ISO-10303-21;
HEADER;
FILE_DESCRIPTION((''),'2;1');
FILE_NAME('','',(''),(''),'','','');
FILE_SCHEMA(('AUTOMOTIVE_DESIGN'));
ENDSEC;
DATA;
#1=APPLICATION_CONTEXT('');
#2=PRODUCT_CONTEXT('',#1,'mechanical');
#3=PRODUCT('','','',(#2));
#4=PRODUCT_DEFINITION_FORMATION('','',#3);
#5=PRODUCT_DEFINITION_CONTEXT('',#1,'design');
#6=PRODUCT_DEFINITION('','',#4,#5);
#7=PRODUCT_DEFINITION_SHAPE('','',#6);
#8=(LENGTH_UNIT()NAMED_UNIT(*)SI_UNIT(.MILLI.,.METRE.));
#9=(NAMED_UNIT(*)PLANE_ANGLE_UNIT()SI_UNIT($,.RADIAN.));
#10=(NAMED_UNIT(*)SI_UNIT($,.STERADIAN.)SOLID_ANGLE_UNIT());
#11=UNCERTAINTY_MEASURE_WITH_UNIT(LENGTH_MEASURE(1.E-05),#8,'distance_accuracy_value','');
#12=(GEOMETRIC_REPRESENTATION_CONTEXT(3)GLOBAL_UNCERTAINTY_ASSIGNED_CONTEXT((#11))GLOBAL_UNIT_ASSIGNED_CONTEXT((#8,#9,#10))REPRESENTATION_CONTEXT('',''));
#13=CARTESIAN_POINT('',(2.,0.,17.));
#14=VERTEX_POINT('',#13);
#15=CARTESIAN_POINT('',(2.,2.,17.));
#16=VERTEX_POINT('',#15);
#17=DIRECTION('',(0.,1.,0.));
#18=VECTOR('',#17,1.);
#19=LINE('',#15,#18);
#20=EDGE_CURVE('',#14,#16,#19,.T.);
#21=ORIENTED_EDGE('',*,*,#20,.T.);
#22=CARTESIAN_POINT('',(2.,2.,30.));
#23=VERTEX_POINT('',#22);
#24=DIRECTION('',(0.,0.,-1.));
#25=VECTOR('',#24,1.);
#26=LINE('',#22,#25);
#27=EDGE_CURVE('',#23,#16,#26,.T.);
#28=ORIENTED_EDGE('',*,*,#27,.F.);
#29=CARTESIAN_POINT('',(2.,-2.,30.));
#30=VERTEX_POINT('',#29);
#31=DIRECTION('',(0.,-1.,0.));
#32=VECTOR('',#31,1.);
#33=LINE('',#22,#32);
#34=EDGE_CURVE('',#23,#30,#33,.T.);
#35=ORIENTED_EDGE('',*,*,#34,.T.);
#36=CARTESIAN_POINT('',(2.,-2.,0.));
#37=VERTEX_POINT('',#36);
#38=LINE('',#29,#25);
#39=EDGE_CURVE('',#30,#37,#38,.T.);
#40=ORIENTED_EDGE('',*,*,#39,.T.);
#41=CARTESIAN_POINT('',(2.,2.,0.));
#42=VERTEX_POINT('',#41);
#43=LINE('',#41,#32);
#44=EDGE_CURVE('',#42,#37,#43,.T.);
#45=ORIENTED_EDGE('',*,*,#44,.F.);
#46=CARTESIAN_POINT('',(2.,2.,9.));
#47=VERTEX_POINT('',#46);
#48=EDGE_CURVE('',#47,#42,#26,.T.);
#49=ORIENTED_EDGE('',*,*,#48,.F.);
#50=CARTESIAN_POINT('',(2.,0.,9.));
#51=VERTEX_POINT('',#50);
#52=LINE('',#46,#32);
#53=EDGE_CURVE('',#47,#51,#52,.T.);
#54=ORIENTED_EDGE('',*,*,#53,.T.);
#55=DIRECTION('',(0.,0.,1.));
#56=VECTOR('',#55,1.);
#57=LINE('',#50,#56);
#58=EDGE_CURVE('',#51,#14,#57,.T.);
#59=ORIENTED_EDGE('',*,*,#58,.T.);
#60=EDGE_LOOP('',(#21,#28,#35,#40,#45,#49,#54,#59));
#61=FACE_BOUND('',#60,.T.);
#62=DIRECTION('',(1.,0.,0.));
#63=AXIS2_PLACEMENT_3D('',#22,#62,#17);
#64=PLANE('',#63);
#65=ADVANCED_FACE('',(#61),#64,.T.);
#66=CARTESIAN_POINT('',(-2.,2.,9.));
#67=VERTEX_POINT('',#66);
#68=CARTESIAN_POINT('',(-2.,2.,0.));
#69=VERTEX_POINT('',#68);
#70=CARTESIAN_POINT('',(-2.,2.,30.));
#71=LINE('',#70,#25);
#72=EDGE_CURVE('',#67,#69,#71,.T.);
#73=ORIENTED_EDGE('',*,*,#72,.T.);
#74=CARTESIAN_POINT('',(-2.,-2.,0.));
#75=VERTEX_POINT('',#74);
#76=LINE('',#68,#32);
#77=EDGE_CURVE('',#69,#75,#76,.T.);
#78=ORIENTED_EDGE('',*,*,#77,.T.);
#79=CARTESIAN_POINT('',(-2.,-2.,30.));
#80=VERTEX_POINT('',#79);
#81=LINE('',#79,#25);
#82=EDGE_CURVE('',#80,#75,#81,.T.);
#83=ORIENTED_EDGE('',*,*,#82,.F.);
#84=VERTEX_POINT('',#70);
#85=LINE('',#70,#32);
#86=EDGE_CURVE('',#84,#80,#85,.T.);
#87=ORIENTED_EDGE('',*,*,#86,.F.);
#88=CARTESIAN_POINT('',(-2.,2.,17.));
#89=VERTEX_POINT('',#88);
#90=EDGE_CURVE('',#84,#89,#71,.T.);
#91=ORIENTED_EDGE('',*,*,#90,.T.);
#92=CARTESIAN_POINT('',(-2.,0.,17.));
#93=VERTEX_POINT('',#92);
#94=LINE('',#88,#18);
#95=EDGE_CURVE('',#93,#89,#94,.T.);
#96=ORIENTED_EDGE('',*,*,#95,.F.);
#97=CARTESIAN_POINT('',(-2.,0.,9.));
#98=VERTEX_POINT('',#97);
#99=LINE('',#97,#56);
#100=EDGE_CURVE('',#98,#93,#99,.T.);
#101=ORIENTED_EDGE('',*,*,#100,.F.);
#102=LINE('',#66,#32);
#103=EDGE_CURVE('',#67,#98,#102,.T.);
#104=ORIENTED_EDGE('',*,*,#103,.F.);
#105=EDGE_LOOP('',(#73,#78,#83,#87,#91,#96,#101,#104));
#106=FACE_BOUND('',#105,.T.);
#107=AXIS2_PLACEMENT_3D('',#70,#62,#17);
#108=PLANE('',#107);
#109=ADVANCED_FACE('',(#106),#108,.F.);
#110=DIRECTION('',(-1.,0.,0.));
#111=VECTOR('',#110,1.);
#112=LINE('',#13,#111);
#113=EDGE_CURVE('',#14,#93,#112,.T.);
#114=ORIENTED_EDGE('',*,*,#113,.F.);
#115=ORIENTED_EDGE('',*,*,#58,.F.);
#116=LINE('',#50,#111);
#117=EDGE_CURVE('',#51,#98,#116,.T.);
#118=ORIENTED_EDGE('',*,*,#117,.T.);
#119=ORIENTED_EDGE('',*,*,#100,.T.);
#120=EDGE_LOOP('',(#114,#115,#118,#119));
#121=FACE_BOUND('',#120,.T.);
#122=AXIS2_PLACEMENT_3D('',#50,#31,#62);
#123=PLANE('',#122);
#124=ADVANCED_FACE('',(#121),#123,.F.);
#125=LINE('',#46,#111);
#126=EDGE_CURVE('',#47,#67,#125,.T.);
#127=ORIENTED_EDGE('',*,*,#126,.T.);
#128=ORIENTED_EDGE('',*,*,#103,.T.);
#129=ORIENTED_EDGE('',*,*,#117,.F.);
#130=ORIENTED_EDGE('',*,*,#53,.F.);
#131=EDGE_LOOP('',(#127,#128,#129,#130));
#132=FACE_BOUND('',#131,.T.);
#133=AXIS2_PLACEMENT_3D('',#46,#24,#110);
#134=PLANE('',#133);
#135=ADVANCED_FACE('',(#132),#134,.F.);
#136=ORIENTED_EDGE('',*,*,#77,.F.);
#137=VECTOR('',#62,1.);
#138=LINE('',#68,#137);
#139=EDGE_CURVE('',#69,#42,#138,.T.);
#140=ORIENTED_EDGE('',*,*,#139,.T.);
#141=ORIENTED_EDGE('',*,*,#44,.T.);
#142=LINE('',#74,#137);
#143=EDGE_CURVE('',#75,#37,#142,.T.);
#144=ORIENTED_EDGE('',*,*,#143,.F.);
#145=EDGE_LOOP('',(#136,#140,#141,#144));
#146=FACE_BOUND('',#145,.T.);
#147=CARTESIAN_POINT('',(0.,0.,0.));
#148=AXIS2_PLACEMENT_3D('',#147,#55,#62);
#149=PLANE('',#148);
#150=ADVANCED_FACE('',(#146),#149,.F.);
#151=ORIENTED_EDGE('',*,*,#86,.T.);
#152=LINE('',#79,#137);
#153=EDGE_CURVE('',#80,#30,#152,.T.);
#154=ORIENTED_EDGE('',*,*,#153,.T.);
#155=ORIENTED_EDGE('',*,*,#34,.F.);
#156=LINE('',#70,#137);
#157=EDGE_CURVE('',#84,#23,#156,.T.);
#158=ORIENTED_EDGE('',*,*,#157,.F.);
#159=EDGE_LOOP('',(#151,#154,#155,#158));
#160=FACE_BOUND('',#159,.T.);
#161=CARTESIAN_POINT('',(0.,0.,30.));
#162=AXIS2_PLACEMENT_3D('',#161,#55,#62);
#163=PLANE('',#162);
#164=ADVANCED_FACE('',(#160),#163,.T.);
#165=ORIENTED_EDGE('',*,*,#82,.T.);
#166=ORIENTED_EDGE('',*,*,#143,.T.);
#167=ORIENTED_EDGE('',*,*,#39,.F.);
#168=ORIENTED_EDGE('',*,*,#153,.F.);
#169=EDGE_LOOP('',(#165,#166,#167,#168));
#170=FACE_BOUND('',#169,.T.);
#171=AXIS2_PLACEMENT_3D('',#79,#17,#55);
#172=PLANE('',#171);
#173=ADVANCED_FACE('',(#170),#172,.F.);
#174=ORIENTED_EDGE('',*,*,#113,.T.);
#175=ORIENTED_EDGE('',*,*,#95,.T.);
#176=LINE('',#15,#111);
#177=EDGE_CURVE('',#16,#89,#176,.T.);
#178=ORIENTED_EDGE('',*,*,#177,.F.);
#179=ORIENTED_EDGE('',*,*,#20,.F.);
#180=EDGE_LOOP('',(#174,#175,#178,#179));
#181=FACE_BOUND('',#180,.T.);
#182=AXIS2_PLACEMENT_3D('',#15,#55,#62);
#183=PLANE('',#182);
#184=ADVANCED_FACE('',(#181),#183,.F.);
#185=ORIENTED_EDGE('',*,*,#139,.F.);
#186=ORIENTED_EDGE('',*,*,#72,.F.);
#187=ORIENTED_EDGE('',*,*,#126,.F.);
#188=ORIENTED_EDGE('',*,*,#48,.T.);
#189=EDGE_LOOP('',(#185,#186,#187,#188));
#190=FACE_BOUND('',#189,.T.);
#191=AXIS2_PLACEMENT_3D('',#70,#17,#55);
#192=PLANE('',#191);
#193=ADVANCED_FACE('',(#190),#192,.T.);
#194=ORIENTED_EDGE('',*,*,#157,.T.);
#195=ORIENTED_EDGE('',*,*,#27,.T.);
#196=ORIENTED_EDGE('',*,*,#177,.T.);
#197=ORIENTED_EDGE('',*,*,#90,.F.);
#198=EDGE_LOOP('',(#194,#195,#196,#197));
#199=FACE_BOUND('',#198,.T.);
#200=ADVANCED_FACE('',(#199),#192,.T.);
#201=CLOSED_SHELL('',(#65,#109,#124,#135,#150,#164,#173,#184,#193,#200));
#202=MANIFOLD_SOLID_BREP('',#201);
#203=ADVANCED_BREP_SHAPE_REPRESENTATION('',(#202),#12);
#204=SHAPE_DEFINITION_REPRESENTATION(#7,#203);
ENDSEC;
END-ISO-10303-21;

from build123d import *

# Parameters (mm, degrees)
SKETCH_1_W          = 4
SKETCH_1_H          = 4
EXTRUDE_1_DEPTH     = 30
SKETCH_4_W          = 8
SKETCH_4_H          = 2
CUT_EXTRUDE_1_DEPTH = 4


with BuildPart() as part:
    # 草圖1 → 填料-伸長1 (new body)
    with BuildSketch(Plane.XY):
        Rectangle(SKETCH_1_W, SKETCH_1_H)
    extrude(amount=EXTRUDE_1_DEPTH)

    # 草圖4 → 除料-伸長1 (cut)
    with BuildSketch(Plane.ZY.offset(2)):
        with Locations((13, 1)):
            Rectangle(SKETCH_4_W, SKETCH_4_H)
    extrude(amount=-CUT_EXTRUDE_1_DEPTH, mode=Mode.SUBTRACT)


solid = part.part
